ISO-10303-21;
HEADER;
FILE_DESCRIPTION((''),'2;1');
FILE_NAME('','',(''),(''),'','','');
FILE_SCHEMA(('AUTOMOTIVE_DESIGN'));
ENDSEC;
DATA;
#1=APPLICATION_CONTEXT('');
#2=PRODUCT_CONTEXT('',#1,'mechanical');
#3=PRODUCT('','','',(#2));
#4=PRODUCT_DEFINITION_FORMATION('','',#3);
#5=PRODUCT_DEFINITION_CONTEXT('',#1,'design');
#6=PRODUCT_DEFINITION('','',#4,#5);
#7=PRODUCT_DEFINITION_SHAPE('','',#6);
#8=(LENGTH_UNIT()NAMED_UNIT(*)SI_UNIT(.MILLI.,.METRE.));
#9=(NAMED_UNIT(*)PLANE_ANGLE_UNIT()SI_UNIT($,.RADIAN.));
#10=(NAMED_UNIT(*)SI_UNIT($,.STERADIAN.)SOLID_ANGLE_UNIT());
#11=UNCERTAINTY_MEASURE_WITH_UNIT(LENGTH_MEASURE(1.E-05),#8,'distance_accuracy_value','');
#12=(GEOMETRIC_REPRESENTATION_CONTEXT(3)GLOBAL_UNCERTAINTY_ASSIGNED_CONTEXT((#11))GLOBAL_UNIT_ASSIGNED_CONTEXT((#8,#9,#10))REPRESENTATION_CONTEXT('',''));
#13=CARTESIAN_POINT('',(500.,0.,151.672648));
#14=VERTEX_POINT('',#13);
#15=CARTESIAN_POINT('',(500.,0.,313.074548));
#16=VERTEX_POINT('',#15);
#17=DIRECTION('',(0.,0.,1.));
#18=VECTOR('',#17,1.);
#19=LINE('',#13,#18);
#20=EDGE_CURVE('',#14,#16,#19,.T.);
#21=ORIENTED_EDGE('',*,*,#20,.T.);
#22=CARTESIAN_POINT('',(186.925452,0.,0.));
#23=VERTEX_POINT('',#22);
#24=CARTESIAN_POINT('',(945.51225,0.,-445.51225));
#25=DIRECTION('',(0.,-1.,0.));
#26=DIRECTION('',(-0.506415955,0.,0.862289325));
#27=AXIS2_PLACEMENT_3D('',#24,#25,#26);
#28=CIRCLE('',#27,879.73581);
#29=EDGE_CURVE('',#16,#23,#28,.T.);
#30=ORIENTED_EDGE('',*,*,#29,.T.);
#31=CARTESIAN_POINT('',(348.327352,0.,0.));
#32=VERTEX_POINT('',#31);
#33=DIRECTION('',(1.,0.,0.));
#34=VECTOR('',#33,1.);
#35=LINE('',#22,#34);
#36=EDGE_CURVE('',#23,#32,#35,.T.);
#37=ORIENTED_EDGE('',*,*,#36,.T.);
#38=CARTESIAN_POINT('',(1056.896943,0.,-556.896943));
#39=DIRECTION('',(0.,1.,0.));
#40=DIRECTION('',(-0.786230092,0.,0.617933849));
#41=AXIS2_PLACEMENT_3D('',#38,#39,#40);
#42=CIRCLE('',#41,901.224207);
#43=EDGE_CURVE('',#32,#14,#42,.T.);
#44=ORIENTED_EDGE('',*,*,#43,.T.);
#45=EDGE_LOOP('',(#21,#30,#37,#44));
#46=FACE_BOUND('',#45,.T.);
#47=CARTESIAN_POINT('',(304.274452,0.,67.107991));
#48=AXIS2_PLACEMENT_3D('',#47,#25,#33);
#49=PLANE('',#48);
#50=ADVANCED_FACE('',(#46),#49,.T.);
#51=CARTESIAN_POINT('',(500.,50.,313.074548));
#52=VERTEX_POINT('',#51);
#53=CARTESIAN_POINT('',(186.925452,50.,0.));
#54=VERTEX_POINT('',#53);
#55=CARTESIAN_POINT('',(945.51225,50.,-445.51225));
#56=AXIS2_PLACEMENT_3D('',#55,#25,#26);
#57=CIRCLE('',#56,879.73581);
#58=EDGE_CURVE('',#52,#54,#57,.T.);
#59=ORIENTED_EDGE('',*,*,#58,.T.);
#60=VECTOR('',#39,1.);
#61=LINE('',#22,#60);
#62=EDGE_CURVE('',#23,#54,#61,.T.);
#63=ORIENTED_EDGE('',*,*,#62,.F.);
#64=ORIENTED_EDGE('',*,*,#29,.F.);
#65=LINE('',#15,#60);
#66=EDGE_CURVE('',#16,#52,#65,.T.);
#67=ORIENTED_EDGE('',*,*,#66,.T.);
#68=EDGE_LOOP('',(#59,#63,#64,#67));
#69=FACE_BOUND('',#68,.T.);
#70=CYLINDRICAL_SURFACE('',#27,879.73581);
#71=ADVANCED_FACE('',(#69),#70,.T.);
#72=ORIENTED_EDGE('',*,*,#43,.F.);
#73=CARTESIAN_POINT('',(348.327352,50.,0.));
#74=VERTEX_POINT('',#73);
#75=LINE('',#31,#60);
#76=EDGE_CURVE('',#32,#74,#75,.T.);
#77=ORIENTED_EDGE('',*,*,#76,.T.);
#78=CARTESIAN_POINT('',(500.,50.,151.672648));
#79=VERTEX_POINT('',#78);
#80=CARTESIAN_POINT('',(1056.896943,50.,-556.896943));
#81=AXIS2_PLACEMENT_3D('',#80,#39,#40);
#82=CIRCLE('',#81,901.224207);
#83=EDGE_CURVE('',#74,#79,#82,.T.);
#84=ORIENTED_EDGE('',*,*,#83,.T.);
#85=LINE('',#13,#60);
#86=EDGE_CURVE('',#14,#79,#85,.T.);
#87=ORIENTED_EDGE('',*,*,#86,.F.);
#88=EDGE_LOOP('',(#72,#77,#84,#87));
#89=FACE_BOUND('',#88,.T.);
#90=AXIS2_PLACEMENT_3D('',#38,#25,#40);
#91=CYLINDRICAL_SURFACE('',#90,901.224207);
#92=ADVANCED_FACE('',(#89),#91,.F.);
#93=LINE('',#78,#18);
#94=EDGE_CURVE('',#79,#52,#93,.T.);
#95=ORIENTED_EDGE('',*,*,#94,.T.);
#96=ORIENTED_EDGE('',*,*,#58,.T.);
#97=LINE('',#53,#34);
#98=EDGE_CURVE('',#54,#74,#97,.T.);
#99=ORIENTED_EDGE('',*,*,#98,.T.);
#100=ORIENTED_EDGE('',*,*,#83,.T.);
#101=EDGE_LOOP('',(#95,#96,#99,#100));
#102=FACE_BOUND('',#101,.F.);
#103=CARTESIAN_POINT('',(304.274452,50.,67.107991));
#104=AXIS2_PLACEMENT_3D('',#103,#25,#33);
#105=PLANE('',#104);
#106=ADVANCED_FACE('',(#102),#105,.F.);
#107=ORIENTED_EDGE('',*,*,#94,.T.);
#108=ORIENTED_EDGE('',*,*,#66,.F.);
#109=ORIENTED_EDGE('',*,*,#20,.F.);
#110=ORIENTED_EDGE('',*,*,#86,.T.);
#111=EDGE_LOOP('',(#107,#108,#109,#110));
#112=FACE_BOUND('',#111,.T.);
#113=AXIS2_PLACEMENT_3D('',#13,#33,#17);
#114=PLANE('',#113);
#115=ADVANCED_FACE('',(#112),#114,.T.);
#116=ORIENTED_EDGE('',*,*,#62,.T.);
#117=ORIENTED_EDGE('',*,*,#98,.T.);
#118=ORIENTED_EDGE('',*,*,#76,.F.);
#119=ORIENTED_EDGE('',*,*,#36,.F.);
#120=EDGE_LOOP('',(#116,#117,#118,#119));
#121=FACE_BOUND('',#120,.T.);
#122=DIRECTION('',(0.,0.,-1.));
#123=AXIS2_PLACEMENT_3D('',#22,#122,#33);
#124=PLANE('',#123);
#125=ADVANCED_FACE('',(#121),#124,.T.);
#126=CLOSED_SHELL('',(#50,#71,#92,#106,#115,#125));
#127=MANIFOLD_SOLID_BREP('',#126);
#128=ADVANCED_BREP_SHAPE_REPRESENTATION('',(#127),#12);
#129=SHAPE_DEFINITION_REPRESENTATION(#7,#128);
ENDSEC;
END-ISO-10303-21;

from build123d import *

# Parameters (mm, degrees)
F1_DEPTH = 50


with BuildPart() as f1:
    # F0 (on Front) → F1 (new body)
    with BuildSketch(Plane.XZ):
        with BuildLine():
            ThreePointArc((323.4450933082, 176.5549066918), (249.5638004989, 92.6242108607), (186.9254520827, 0))
            Line((186.9254520827, 0), (348.3273520735, 0))
            ThreePointArc((348.3273520735, 0), (382.7826177514, 41.2459720304), (419.6351952441, 80.3648047559))
            Line((419.6351952441, 80.3648047559), (323.4450933082, 176.5549066918))
        make_face()
        with BuildLine():
            ThreePointArc((500, 313.0745479174), (407.3757891394, 250.4361995011), (323.4450933082, 176.5549066918))
            Line((323.4450933082, 176.5549066918), (419.6351952441, 80.3648047559))
            ThreePointArc((419.6351952441, 80.3648047559), (458.7540279696, 117.2173822487), (500, 151.6726479266))
            Line((500, 151.6726479266), (500, 313.0745479174))
        make_face()
    extrude(amount=-F1_DEPTH)


solid = f1.part
